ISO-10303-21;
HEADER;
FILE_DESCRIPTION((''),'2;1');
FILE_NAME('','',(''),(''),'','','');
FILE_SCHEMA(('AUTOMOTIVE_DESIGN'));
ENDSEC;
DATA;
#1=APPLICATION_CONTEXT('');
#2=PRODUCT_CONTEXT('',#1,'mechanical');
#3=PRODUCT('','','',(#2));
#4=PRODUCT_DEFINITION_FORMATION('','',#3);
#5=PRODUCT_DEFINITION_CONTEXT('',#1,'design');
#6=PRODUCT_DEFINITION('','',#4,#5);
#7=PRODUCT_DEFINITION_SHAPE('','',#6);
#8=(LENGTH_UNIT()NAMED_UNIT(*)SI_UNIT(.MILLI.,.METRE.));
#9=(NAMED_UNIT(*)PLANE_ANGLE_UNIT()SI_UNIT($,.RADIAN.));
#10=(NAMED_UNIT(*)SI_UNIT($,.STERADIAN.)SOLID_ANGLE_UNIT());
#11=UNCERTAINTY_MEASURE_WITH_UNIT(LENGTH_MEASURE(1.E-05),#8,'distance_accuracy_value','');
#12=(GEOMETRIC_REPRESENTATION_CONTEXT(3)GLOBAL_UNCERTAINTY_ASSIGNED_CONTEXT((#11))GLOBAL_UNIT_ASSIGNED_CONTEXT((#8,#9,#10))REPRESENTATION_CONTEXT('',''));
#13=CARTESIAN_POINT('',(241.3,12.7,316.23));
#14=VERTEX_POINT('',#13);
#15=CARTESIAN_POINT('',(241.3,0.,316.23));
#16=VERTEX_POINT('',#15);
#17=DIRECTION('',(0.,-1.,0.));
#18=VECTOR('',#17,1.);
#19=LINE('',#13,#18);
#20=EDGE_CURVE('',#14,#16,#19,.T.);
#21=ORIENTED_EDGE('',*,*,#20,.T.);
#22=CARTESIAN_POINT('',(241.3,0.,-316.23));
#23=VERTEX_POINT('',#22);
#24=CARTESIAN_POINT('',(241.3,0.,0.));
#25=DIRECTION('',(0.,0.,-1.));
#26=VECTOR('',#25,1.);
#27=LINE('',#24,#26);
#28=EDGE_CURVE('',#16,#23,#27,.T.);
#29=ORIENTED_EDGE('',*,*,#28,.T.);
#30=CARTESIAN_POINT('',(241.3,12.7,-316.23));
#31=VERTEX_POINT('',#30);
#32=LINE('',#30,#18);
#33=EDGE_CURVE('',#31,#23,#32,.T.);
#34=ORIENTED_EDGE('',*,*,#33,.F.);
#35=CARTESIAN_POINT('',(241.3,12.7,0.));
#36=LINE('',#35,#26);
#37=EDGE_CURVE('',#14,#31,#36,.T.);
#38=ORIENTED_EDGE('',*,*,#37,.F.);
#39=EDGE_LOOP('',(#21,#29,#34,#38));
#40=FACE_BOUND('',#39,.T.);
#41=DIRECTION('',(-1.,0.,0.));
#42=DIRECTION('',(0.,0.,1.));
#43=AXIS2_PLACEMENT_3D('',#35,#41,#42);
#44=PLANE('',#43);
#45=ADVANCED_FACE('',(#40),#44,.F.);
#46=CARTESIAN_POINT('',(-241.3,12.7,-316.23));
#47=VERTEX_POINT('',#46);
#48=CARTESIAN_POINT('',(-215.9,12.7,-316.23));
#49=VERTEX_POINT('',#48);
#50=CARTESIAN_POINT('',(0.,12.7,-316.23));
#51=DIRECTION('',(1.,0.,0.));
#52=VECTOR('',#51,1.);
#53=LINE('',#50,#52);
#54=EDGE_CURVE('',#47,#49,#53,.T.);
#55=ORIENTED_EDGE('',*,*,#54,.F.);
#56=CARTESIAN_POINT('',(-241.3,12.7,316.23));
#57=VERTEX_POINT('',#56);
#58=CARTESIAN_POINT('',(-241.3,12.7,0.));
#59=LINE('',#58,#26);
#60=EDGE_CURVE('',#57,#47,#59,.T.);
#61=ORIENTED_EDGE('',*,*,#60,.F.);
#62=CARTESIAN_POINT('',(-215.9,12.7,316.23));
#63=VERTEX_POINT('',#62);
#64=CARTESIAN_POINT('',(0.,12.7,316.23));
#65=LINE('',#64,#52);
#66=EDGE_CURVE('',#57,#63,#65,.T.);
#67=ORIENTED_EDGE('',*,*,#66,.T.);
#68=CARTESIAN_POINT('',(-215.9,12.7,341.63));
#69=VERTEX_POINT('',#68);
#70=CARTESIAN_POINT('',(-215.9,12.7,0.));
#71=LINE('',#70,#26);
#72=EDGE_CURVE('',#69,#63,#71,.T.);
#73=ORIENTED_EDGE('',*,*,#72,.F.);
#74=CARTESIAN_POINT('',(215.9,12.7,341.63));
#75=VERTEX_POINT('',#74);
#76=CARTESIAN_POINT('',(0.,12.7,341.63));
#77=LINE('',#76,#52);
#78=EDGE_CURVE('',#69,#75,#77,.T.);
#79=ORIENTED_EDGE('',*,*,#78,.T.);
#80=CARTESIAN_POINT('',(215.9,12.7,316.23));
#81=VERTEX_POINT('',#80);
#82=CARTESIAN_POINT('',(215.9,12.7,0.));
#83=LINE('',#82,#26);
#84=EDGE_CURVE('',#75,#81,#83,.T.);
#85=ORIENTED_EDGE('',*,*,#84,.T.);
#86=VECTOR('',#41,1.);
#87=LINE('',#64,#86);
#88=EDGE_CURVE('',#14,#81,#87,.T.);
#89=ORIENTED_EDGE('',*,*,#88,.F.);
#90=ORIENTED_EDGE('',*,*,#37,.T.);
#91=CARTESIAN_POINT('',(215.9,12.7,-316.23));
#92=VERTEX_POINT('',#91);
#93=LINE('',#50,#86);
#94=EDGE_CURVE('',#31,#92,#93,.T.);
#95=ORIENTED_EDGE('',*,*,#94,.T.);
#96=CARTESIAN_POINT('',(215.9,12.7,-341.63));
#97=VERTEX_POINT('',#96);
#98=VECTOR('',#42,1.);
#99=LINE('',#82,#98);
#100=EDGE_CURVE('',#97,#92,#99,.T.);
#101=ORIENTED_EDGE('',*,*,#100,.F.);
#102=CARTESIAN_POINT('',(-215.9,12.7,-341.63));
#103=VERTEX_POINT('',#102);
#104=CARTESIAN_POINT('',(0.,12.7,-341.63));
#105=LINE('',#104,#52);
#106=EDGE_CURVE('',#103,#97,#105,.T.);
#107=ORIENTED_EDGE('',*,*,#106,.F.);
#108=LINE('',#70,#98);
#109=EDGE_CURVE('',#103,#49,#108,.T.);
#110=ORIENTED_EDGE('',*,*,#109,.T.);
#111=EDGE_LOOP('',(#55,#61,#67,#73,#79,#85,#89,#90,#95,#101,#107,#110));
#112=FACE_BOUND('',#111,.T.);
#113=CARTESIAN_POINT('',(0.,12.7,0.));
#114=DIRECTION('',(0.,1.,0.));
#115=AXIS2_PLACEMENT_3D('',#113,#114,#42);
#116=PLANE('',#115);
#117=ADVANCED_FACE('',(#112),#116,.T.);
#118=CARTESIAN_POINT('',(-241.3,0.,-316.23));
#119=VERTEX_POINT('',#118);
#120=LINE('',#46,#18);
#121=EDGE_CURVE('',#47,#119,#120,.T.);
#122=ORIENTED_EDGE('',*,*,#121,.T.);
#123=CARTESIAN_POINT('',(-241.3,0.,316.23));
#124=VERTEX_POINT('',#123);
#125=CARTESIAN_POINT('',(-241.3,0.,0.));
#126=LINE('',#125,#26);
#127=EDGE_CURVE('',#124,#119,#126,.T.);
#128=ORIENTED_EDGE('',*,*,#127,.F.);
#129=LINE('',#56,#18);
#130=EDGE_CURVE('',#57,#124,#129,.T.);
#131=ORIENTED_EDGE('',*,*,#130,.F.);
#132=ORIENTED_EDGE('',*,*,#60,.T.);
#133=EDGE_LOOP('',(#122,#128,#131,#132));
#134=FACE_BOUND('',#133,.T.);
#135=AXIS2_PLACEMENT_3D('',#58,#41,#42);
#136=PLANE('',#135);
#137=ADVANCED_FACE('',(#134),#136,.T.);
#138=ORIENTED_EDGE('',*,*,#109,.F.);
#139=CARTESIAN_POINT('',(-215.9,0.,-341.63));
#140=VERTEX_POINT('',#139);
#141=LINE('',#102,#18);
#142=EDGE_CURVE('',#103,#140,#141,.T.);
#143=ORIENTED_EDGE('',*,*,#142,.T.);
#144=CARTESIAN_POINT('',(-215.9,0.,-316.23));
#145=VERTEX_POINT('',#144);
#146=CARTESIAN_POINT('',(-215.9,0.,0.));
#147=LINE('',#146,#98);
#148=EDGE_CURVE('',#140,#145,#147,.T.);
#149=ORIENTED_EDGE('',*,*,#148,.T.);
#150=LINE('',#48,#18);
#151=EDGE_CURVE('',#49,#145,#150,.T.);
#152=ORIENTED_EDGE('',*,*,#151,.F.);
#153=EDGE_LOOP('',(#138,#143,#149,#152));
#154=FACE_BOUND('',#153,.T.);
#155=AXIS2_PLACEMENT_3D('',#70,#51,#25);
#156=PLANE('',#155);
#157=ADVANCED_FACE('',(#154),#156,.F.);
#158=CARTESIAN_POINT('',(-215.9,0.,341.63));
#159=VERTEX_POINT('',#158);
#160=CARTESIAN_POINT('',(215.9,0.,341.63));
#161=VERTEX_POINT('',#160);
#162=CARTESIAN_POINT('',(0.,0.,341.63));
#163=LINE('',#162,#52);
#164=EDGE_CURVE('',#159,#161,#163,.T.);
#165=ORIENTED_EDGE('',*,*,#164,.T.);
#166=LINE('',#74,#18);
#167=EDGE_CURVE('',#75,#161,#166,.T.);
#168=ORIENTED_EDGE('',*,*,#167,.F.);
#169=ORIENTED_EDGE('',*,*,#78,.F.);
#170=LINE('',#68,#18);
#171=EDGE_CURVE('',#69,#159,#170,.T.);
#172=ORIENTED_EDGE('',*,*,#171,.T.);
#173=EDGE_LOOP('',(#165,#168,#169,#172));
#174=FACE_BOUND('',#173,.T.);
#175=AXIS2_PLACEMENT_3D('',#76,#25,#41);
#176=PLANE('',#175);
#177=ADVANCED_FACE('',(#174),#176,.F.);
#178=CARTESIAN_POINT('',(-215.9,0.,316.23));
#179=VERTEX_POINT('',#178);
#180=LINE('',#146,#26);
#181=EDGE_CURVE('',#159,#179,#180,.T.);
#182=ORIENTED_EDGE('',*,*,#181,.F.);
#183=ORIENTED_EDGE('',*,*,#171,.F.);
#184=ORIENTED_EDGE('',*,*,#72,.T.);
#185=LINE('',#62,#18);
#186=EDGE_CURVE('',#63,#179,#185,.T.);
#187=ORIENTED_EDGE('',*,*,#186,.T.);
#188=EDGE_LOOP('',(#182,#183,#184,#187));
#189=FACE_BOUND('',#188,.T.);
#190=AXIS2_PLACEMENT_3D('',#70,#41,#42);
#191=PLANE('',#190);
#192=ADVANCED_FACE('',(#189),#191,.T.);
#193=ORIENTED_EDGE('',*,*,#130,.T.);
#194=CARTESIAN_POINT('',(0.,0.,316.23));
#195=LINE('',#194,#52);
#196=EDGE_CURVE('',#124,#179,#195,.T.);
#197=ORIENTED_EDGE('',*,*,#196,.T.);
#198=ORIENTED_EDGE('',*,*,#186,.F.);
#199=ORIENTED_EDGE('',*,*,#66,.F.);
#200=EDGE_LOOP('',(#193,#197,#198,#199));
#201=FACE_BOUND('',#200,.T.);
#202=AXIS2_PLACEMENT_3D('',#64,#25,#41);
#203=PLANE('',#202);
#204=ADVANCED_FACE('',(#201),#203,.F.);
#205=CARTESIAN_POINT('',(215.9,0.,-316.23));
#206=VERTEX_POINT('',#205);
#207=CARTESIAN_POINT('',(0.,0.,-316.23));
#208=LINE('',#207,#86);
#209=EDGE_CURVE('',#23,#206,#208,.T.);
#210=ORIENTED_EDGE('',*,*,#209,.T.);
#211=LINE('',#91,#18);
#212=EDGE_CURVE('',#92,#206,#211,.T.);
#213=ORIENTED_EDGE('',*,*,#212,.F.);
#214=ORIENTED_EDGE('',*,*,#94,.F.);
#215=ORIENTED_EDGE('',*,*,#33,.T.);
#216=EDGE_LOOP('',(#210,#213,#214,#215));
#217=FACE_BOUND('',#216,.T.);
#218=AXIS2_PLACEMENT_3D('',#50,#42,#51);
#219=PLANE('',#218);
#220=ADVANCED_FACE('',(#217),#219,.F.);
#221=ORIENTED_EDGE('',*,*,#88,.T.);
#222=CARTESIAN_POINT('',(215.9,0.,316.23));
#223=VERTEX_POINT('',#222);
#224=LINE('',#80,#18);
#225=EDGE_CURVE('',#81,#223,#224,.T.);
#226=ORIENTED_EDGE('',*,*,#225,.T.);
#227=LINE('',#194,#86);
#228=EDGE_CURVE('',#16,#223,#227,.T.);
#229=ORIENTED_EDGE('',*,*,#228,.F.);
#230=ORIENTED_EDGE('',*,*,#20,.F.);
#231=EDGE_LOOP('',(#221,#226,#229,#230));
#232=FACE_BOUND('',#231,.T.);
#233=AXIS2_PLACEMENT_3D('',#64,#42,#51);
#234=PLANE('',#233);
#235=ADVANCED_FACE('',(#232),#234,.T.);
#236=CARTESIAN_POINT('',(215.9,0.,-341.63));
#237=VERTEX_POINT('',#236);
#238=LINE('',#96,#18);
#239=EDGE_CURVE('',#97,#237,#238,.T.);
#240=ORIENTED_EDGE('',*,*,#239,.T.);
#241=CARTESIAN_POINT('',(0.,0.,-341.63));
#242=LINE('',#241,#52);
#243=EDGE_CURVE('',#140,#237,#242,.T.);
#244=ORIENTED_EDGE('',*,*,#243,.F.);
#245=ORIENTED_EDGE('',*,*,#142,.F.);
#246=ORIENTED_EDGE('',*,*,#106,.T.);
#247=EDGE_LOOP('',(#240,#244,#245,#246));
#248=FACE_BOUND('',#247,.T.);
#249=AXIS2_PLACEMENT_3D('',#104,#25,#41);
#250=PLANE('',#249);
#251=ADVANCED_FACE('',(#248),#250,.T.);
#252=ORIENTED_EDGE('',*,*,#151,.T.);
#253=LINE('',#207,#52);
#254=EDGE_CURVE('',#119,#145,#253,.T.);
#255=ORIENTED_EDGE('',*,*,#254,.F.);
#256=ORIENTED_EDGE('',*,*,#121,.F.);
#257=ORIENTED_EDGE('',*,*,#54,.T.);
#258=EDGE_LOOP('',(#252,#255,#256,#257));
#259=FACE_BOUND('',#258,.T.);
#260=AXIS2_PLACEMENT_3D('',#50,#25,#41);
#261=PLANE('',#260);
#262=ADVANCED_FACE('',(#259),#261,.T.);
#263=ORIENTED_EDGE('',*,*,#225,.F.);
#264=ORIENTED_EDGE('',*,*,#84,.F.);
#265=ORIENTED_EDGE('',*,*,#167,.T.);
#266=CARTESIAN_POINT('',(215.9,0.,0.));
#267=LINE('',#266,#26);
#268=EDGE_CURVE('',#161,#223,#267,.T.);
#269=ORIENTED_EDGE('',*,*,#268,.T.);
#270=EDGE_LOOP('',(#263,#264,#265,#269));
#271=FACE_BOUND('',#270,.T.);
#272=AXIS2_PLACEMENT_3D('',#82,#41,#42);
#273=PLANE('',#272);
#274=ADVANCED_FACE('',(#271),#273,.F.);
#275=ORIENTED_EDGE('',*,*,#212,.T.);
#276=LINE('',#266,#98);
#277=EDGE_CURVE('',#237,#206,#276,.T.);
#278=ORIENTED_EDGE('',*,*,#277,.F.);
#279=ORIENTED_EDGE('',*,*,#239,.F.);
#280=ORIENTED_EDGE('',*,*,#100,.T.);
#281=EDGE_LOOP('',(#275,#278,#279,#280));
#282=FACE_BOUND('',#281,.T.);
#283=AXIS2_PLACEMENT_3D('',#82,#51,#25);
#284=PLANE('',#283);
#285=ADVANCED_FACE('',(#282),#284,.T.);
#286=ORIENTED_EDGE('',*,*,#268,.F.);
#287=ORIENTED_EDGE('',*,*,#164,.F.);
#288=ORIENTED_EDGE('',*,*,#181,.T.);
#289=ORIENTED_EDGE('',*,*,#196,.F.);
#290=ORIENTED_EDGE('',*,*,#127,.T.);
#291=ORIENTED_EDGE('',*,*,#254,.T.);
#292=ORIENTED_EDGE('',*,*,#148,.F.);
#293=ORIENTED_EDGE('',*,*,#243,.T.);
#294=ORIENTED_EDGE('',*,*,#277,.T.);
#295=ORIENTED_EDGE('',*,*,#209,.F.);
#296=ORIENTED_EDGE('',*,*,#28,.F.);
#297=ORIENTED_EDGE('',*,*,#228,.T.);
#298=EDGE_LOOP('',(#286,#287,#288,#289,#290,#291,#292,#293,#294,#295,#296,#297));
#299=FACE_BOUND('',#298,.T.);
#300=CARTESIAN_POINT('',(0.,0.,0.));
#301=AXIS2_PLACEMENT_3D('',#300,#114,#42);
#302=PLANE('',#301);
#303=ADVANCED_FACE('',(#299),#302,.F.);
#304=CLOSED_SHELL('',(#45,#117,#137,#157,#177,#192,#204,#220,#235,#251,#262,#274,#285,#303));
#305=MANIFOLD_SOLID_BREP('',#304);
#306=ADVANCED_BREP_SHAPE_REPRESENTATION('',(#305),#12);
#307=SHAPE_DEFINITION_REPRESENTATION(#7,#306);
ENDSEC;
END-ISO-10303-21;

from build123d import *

# Parameters (mm, degrees)
BOSS_EXTRUDE1_DEPTH = 12.7


with BuildPart() as part:
    # Sketch1 → Boss-Extrude1 (new body)
    with BuildSketch(Plane(origin=(0, 0, 0), x_dir=(1, 0, 0), z_dir=(0, 1, 0))):
        Polygon((-215.9, -316.23), (-215.9, -341.63), (215.9, -341.63), (215.9, -316.23), (241.3, -316.23), (241.3, 316.23), (215.9, 316.23), (215.9, 341.63), (-215.9, 341.63), (-215.9, 316.23), (-241.3, 316.23), (-241.3, -316.23), align=None)
    extrude(amount=BOSS_EXTRUDE1_DEPTH)


solid = part.part
